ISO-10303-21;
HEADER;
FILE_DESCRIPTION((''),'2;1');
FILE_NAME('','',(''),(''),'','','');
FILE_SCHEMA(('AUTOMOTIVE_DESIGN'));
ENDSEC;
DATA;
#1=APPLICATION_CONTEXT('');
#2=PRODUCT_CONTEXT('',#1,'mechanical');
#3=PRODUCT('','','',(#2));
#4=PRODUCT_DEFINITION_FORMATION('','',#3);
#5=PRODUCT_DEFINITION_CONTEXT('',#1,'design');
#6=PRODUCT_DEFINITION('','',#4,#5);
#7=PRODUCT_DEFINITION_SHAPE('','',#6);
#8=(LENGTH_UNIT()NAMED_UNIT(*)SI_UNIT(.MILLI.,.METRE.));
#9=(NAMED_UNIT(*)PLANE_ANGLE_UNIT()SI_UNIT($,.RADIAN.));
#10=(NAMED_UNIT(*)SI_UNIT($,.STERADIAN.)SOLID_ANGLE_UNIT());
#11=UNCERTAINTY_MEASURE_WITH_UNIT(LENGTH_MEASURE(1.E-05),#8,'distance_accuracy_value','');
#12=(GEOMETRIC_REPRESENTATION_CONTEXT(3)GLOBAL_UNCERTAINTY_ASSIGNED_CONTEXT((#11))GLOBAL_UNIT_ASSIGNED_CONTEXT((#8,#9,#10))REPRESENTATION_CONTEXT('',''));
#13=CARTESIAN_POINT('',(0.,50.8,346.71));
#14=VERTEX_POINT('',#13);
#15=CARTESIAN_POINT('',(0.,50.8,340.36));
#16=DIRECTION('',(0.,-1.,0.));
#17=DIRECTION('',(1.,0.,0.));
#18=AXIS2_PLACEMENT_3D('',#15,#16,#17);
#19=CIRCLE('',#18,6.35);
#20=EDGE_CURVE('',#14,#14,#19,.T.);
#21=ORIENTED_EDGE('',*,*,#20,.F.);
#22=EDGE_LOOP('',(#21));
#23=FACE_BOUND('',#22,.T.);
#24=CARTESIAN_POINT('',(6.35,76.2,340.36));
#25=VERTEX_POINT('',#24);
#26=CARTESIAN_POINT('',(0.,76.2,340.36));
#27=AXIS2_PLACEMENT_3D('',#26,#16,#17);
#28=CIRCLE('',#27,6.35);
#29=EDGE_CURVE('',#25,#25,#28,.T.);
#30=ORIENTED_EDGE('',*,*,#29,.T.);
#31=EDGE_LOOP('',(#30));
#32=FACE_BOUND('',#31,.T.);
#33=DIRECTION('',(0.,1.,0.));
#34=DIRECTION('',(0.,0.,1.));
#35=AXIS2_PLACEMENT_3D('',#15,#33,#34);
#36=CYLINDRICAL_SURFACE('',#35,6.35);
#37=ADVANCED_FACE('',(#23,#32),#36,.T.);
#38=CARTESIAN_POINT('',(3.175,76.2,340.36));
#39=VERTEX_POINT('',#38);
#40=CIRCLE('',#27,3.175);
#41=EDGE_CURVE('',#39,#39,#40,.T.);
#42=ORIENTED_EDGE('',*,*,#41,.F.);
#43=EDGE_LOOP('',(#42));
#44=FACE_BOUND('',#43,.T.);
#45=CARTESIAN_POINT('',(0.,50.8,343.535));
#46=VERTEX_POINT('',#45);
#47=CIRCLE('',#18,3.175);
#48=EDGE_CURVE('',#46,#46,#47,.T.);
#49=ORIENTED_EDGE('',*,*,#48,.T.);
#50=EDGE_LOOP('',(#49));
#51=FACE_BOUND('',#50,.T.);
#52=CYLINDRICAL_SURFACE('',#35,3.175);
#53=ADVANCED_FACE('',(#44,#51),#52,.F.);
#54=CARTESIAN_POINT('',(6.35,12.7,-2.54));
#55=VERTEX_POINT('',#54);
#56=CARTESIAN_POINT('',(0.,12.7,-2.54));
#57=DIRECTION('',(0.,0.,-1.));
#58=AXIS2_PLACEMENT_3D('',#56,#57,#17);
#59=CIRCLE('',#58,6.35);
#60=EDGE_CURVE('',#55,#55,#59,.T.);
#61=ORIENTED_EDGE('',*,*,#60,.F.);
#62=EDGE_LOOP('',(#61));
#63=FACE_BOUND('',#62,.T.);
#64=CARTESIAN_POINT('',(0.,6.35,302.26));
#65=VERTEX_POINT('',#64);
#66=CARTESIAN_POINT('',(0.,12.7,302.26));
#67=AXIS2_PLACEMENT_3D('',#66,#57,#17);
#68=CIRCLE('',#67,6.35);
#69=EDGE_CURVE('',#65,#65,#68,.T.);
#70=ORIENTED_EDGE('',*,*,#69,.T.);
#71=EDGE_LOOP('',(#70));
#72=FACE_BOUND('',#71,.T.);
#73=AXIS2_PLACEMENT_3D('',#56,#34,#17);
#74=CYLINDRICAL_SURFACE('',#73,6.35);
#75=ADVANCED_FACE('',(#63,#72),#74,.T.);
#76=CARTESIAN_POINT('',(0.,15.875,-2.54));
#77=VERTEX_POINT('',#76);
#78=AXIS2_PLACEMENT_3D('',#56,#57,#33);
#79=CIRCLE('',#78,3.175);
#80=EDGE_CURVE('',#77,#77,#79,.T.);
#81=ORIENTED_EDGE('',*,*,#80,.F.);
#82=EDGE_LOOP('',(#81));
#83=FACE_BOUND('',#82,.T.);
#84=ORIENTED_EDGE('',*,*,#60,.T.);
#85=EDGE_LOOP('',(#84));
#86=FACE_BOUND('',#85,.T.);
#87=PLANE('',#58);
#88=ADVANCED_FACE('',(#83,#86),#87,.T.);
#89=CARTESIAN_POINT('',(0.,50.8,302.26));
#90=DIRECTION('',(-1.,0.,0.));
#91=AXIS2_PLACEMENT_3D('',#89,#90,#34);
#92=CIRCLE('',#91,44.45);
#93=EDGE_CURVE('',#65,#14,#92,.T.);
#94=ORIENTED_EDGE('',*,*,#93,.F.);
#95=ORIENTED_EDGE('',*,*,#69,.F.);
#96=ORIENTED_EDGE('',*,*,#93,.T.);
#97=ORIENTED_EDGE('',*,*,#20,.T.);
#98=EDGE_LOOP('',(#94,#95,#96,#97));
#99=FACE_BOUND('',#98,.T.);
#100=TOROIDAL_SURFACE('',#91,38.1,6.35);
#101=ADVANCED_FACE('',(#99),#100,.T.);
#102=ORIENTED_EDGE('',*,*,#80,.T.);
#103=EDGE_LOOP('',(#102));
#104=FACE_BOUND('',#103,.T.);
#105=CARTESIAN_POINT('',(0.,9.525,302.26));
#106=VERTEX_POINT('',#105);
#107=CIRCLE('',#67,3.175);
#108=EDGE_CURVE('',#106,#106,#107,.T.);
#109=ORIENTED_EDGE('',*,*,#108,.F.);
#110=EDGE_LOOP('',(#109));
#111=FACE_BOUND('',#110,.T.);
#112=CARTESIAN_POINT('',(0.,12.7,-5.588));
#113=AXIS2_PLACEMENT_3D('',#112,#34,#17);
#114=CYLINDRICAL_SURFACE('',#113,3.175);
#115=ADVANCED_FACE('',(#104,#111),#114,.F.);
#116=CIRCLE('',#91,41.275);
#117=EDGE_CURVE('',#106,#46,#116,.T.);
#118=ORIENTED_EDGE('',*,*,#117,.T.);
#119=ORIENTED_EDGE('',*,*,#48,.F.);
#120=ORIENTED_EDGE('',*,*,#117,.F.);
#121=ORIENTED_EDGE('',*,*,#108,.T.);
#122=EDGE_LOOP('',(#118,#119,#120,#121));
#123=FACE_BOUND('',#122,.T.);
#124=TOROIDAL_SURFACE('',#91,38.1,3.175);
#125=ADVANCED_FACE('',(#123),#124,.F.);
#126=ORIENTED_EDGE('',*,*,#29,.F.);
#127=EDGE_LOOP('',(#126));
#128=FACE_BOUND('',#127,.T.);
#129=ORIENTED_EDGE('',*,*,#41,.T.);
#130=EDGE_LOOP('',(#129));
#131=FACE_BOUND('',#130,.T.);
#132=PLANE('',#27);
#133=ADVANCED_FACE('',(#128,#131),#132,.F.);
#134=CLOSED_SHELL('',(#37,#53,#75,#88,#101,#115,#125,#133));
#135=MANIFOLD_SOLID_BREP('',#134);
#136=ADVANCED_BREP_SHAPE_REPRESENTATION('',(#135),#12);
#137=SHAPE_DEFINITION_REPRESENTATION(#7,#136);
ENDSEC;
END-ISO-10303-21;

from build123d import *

# Parameters (mm, degrees)
SWEEP1_PROFILE_R     = 6.35
CUT_SWEEP1_PROFILE_R = 3.175


with BuildPart() as part:
    # Sweep1: sweep along a curve in space
    with BuildLine() as sweep1_path:
        Line((0, 50.8, 340.36), (0, 76.2, 340.36))
        ThreePointArc((0, 12.7, 302.26), (0, 23.859231637, 329.200768363), (0, 50.8, 340.36))
        Line((0, 12.7, 302.26), (0, 12.7, -2.54))
    # Sweep1 profile (on start of the path) → Sweep1 (sweep)
    with BuildSketch(Plane(origin=(0, 12.7, -2.54), x_dir=(1, 0, 0), z_dir=(0, 0, 1))):
        Circle(SWEEP1_PROFILE_R)
    sweep(path=sweep1_path.line)

    # Cut-Sweep1: sweep along a curve in space
    with BuildLine() as cut_sweep1_path:
        Line((0, 50.8, 340.36), (0, 76.2, 340.36))
        ThreePointArc((0, 12.7, 302.26), (0, 23.859231637, 329.200768363), (0, 50.8, 340.36))
        Line((0, 12.7, 302.26), (0, 12.7, -2.54))
    # Cut-Sweep1 profile (on start of the path) → Cut-Sweep1 (sweep, cut)
    with BuildSketch(Plane(origin=(0, 12.7, -2.54), x_dir=(1, 0, 0), z_dir=(0, 0, 1))):
        Circle(CUT_SWEEP1_PROFILE_R)
    sweep(path=cut_sweep1_path.line, mode=Mode.SUBTRACT)


solid = part.part
